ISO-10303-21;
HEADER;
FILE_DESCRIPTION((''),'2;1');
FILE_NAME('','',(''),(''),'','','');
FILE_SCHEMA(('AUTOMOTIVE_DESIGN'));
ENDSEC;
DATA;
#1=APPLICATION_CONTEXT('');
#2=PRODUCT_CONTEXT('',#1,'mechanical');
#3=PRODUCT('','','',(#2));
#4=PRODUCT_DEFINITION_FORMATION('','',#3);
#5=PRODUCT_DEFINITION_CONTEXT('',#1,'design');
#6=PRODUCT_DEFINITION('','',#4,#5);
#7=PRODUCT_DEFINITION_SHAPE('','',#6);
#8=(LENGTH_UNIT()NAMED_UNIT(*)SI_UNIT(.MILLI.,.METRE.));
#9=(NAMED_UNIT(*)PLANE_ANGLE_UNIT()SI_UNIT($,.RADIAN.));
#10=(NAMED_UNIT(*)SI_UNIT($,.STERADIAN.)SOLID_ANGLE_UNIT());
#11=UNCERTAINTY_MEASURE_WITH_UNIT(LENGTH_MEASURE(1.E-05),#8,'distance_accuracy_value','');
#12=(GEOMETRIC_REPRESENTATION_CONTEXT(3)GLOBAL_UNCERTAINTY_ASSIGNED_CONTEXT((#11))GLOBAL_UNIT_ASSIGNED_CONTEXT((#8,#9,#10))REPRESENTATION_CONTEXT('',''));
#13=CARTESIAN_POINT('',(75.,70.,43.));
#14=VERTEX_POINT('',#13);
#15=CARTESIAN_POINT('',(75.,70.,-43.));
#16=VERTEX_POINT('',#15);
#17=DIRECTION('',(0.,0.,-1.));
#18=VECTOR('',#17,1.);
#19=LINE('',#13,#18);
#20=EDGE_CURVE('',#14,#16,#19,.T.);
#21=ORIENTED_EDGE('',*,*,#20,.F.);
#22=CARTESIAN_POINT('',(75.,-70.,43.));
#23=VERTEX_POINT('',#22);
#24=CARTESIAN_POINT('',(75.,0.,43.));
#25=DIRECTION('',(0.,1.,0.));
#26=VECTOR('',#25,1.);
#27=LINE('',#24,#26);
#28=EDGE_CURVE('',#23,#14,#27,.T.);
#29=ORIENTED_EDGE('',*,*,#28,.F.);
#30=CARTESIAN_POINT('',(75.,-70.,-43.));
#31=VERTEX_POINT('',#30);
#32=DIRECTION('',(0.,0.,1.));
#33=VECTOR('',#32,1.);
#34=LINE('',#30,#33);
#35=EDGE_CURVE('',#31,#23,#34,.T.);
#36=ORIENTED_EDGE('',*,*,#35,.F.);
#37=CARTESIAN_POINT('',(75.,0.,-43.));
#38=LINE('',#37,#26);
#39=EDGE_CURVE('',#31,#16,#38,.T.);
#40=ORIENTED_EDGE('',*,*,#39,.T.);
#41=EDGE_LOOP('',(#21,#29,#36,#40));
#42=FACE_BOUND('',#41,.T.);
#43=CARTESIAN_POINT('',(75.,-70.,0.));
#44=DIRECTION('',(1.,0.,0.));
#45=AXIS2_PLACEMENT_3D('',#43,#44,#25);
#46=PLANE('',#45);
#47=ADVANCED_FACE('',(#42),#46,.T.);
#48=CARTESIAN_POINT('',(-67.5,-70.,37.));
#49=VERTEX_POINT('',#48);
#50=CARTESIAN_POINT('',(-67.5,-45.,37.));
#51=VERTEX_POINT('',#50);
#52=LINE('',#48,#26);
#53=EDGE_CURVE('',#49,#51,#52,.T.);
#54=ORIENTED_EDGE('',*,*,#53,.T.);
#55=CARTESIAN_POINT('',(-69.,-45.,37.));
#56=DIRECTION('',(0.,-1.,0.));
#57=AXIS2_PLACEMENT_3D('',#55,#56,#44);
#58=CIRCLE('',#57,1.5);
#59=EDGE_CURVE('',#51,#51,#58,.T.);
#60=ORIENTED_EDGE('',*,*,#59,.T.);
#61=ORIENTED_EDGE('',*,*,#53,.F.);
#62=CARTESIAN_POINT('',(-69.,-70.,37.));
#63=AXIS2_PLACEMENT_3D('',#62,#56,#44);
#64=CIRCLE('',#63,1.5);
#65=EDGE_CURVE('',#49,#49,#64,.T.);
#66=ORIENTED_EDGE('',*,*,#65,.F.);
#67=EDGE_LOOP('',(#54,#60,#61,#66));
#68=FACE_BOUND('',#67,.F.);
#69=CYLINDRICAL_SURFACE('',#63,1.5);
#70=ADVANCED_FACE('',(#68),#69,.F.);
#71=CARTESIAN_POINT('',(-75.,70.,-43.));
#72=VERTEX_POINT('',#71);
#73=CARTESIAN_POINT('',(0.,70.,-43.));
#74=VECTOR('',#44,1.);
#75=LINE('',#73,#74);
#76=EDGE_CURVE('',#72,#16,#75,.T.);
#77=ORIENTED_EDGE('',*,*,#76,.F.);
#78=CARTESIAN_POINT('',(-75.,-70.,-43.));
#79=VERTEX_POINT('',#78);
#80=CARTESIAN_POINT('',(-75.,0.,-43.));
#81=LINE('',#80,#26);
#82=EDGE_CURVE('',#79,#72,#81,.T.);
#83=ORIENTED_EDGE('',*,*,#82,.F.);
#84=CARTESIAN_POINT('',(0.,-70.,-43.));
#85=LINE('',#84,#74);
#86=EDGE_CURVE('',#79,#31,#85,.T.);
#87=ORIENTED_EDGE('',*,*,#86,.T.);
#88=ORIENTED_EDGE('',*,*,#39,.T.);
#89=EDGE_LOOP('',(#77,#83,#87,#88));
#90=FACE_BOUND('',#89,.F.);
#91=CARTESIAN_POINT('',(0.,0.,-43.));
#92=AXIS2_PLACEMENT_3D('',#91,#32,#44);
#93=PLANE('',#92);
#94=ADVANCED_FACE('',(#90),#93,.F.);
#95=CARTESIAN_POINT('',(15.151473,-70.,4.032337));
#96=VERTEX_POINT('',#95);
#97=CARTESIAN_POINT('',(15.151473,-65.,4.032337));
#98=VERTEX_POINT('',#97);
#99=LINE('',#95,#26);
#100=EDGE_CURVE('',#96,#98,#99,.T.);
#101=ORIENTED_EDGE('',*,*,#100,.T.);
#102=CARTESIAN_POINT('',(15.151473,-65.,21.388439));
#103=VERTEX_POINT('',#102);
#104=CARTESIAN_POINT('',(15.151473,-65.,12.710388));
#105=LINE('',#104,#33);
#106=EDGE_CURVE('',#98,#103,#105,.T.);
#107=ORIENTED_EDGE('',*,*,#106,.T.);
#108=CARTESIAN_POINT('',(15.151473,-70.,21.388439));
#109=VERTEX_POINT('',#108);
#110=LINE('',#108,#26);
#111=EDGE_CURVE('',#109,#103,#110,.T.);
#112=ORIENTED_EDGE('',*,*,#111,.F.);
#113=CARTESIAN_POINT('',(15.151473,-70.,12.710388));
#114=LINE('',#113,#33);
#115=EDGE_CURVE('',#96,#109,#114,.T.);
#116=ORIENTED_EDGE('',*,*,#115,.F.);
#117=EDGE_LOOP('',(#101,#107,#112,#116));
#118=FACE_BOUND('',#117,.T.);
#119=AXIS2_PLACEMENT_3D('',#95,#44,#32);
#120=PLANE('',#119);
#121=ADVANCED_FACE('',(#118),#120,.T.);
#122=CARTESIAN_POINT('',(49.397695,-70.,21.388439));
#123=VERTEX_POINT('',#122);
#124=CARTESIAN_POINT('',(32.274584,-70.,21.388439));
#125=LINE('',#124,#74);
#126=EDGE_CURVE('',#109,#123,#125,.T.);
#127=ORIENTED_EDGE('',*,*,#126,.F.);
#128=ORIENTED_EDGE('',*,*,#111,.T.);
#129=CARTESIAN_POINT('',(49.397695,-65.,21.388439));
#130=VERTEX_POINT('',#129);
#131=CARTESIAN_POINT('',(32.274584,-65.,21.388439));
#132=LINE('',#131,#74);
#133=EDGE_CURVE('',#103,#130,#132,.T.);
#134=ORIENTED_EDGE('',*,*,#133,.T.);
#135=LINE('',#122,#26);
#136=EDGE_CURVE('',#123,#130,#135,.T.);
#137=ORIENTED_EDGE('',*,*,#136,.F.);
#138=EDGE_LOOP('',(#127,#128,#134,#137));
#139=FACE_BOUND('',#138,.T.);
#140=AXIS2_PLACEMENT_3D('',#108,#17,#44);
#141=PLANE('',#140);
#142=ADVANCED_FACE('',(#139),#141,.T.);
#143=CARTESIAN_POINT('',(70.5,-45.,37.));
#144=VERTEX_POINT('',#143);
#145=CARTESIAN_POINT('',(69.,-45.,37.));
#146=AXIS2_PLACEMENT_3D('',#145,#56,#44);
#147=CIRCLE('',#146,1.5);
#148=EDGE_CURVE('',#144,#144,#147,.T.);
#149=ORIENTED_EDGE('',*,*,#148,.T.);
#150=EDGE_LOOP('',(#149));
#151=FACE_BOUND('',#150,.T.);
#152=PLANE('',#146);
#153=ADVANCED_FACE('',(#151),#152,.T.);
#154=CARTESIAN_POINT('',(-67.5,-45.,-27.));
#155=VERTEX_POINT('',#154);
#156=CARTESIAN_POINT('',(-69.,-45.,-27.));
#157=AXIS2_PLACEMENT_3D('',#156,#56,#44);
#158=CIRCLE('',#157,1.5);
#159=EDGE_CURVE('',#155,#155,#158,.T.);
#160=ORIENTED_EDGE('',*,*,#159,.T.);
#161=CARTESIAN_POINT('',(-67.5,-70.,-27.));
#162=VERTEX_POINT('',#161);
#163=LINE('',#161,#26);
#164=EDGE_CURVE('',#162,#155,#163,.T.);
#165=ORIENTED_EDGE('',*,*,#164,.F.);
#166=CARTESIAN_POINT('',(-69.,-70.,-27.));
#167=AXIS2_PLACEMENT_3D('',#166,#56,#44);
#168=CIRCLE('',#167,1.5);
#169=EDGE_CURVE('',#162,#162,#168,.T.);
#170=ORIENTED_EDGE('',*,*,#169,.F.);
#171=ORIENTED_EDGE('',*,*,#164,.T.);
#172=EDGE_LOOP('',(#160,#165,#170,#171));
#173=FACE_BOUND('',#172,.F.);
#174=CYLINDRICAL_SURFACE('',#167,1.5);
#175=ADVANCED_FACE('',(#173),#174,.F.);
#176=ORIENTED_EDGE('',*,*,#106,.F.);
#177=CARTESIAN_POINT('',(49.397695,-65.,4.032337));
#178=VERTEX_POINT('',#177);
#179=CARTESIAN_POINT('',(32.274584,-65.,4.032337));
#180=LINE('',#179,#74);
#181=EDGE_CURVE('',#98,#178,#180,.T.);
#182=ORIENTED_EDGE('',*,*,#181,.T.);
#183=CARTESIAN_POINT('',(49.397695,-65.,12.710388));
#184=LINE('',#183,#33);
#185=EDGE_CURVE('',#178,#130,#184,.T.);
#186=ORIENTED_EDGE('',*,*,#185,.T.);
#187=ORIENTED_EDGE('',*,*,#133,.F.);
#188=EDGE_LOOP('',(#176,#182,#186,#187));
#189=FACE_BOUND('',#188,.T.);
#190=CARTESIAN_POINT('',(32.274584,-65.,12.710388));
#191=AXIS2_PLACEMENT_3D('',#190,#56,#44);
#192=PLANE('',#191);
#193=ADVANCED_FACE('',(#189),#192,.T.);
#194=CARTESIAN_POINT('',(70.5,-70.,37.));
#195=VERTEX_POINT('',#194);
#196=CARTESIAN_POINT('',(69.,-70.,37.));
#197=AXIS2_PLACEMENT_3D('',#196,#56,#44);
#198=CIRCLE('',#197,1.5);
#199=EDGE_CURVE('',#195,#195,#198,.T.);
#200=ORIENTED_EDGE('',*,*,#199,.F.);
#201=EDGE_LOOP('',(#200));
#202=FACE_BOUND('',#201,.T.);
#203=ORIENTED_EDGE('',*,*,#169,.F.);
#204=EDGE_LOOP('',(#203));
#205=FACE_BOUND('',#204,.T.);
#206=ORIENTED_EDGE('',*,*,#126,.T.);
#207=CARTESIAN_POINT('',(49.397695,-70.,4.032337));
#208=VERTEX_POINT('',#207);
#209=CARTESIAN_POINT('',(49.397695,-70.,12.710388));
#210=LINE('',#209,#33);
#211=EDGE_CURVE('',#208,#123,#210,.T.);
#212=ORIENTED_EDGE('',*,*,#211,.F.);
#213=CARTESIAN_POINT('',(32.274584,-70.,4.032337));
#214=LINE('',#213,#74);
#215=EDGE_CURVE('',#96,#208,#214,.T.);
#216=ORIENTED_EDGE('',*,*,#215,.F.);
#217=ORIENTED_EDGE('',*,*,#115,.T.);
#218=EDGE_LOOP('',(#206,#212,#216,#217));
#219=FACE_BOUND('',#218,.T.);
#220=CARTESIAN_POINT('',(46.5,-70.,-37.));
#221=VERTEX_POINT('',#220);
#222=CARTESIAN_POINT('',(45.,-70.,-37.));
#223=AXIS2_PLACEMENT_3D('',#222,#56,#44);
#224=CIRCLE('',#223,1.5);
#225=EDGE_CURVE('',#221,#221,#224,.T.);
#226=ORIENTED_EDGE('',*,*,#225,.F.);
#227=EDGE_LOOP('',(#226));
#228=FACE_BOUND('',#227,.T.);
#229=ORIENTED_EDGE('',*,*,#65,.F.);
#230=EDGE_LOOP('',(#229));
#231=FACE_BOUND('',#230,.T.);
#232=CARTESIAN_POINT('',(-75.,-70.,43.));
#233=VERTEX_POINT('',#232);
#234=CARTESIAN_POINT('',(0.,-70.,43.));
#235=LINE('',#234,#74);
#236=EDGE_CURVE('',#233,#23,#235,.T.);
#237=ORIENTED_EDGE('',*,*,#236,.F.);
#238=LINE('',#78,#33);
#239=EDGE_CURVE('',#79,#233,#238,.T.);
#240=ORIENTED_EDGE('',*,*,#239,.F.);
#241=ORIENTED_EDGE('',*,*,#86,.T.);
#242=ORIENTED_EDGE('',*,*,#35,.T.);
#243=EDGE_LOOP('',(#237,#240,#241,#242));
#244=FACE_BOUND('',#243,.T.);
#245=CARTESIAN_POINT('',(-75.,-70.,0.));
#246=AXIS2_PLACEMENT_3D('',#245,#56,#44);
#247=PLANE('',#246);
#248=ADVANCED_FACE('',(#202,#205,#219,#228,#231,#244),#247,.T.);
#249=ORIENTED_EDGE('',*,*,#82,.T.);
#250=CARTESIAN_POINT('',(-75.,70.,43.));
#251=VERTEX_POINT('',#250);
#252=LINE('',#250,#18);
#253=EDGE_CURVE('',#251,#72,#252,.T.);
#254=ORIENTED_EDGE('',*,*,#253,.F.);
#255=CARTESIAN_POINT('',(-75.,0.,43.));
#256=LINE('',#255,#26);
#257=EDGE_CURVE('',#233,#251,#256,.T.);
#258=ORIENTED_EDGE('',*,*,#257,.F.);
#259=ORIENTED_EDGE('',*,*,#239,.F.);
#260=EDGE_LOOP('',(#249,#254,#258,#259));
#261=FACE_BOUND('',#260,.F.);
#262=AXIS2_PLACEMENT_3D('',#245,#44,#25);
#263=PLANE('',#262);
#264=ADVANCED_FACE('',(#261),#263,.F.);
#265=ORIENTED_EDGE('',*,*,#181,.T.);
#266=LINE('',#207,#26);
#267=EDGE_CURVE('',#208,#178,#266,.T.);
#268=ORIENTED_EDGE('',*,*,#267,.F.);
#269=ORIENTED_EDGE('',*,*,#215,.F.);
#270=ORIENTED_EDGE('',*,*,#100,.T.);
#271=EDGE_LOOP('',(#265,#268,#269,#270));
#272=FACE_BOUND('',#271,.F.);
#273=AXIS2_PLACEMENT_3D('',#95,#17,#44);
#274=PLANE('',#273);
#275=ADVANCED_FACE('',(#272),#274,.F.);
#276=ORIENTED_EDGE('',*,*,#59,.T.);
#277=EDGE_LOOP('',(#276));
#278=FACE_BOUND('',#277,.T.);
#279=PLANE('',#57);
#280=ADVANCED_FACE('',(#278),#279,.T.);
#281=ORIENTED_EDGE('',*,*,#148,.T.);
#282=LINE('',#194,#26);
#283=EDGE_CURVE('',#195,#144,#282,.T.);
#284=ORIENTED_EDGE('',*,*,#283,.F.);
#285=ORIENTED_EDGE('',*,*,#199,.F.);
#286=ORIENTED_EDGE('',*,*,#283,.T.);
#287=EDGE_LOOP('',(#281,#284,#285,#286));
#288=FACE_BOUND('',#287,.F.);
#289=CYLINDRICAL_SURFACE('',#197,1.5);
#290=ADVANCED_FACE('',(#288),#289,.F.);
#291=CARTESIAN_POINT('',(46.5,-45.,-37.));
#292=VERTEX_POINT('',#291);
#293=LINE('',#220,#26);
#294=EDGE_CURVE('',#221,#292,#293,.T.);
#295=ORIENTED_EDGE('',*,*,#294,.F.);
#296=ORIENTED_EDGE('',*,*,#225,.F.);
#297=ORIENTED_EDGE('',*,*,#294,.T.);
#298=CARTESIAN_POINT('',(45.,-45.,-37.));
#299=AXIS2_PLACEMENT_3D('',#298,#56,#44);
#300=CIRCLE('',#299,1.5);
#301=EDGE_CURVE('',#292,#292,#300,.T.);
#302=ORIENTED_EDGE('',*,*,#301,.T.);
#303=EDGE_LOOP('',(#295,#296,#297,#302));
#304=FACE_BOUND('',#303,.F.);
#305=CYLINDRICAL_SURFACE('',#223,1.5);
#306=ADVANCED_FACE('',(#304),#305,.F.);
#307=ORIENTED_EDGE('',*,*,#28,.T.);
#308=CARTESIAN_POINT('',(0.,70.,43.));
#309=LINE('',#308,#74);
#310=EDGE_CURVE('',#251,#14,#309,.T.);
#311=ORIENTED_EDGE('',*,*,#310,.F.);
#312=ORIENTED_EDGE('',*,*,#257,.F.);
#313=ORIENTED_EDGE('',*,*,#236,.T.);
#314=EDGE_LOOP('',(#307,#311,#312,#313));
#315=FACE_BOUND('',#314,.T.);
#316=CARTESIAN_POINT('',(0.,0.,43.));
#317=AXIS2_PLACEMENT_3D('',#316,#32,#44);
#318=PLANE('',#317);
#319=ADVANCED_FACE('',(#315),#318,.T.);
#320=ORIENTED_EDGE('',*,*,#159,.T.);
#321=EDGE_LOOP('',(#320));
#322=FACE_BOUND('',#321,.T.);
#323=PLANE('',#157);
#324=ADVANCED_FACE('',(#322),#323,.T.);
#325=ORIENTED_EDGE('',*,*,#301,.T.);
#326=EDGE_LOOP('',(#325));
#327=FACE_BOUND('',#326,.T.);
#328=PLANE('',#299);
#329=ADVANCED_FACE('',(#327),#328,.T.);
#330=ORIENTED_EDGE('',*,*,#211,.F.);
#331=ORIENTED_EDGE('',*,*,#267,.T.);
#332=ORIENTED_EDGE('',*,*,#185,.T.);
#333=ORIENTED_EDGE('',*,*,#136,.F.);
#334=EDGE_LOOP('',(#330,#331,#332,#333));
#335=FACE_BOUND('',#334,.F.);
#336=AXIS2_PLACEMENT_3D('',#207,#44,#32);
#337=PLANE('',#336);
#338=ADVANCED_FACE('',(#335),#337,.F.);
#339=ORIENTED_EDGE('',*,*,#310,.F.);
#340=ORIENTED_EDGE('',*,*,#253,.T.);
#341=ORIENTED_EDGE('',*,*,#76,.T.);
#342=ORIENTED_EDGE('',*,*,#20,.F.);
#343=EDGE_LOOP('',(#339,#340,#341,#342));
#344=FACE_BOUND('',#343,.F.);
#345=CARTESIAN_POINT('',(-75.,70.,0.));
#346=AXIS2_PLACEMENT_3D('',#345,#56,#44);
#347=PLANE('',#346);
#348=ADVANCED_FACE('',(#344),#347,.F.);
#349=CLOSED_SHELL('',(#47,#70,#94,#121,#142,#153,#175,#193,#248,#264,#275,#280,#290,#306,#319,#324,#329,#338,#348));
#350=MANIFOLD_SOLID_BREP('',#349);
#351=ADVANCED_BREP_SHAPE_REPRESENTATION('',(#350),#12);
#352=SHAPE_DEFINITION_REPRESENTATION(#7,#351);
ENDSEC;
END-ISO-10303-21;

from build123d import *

# Parameters (mm, degrees)
F0_W     = 150
F0_H     = 140
F1_DEPTH = 43
F2_R     = 1.5
F3_DEPTH = 25
F4_W     = 34.246223
F4_H     = 17.356102
F5_DEPTH = 5


with BuildPart() as f1:
    # F0 (on Top) → F1 (new body, symmetric)
    with BuildSketch(Plane.XY):
        Rectangle(F0_W, F0_H)
    extrude(amount=F1_DEPTH, both=True)

    # F2 (on face) → F3 (cut)
    with BuildSketch(Plane.XZ.offset(70)):
        with Locations((-69, 37)):
            Circle(F2_R)
        with Locations((69, 37)):
            Circle(F2_R)
        with Locations((45, -37)):
            Circle(F2_R)
        with Locations((-69, -27)):
            Circle(F2_R)
    extrude(amount=-F3_DEPTH, mode=Mode.SUBTRACT)

    # F4 (on face) → F5 (cut)
    with BuildSketch(Plane.XZ.offset(70)):
        with Locations((32.274584, 12.710388)):
            Rectangle(F4_W, F4_H)
    extrude(amount=-F5_DEPTH, mode=Mode.SUBTRACT)


solid = f1.part
